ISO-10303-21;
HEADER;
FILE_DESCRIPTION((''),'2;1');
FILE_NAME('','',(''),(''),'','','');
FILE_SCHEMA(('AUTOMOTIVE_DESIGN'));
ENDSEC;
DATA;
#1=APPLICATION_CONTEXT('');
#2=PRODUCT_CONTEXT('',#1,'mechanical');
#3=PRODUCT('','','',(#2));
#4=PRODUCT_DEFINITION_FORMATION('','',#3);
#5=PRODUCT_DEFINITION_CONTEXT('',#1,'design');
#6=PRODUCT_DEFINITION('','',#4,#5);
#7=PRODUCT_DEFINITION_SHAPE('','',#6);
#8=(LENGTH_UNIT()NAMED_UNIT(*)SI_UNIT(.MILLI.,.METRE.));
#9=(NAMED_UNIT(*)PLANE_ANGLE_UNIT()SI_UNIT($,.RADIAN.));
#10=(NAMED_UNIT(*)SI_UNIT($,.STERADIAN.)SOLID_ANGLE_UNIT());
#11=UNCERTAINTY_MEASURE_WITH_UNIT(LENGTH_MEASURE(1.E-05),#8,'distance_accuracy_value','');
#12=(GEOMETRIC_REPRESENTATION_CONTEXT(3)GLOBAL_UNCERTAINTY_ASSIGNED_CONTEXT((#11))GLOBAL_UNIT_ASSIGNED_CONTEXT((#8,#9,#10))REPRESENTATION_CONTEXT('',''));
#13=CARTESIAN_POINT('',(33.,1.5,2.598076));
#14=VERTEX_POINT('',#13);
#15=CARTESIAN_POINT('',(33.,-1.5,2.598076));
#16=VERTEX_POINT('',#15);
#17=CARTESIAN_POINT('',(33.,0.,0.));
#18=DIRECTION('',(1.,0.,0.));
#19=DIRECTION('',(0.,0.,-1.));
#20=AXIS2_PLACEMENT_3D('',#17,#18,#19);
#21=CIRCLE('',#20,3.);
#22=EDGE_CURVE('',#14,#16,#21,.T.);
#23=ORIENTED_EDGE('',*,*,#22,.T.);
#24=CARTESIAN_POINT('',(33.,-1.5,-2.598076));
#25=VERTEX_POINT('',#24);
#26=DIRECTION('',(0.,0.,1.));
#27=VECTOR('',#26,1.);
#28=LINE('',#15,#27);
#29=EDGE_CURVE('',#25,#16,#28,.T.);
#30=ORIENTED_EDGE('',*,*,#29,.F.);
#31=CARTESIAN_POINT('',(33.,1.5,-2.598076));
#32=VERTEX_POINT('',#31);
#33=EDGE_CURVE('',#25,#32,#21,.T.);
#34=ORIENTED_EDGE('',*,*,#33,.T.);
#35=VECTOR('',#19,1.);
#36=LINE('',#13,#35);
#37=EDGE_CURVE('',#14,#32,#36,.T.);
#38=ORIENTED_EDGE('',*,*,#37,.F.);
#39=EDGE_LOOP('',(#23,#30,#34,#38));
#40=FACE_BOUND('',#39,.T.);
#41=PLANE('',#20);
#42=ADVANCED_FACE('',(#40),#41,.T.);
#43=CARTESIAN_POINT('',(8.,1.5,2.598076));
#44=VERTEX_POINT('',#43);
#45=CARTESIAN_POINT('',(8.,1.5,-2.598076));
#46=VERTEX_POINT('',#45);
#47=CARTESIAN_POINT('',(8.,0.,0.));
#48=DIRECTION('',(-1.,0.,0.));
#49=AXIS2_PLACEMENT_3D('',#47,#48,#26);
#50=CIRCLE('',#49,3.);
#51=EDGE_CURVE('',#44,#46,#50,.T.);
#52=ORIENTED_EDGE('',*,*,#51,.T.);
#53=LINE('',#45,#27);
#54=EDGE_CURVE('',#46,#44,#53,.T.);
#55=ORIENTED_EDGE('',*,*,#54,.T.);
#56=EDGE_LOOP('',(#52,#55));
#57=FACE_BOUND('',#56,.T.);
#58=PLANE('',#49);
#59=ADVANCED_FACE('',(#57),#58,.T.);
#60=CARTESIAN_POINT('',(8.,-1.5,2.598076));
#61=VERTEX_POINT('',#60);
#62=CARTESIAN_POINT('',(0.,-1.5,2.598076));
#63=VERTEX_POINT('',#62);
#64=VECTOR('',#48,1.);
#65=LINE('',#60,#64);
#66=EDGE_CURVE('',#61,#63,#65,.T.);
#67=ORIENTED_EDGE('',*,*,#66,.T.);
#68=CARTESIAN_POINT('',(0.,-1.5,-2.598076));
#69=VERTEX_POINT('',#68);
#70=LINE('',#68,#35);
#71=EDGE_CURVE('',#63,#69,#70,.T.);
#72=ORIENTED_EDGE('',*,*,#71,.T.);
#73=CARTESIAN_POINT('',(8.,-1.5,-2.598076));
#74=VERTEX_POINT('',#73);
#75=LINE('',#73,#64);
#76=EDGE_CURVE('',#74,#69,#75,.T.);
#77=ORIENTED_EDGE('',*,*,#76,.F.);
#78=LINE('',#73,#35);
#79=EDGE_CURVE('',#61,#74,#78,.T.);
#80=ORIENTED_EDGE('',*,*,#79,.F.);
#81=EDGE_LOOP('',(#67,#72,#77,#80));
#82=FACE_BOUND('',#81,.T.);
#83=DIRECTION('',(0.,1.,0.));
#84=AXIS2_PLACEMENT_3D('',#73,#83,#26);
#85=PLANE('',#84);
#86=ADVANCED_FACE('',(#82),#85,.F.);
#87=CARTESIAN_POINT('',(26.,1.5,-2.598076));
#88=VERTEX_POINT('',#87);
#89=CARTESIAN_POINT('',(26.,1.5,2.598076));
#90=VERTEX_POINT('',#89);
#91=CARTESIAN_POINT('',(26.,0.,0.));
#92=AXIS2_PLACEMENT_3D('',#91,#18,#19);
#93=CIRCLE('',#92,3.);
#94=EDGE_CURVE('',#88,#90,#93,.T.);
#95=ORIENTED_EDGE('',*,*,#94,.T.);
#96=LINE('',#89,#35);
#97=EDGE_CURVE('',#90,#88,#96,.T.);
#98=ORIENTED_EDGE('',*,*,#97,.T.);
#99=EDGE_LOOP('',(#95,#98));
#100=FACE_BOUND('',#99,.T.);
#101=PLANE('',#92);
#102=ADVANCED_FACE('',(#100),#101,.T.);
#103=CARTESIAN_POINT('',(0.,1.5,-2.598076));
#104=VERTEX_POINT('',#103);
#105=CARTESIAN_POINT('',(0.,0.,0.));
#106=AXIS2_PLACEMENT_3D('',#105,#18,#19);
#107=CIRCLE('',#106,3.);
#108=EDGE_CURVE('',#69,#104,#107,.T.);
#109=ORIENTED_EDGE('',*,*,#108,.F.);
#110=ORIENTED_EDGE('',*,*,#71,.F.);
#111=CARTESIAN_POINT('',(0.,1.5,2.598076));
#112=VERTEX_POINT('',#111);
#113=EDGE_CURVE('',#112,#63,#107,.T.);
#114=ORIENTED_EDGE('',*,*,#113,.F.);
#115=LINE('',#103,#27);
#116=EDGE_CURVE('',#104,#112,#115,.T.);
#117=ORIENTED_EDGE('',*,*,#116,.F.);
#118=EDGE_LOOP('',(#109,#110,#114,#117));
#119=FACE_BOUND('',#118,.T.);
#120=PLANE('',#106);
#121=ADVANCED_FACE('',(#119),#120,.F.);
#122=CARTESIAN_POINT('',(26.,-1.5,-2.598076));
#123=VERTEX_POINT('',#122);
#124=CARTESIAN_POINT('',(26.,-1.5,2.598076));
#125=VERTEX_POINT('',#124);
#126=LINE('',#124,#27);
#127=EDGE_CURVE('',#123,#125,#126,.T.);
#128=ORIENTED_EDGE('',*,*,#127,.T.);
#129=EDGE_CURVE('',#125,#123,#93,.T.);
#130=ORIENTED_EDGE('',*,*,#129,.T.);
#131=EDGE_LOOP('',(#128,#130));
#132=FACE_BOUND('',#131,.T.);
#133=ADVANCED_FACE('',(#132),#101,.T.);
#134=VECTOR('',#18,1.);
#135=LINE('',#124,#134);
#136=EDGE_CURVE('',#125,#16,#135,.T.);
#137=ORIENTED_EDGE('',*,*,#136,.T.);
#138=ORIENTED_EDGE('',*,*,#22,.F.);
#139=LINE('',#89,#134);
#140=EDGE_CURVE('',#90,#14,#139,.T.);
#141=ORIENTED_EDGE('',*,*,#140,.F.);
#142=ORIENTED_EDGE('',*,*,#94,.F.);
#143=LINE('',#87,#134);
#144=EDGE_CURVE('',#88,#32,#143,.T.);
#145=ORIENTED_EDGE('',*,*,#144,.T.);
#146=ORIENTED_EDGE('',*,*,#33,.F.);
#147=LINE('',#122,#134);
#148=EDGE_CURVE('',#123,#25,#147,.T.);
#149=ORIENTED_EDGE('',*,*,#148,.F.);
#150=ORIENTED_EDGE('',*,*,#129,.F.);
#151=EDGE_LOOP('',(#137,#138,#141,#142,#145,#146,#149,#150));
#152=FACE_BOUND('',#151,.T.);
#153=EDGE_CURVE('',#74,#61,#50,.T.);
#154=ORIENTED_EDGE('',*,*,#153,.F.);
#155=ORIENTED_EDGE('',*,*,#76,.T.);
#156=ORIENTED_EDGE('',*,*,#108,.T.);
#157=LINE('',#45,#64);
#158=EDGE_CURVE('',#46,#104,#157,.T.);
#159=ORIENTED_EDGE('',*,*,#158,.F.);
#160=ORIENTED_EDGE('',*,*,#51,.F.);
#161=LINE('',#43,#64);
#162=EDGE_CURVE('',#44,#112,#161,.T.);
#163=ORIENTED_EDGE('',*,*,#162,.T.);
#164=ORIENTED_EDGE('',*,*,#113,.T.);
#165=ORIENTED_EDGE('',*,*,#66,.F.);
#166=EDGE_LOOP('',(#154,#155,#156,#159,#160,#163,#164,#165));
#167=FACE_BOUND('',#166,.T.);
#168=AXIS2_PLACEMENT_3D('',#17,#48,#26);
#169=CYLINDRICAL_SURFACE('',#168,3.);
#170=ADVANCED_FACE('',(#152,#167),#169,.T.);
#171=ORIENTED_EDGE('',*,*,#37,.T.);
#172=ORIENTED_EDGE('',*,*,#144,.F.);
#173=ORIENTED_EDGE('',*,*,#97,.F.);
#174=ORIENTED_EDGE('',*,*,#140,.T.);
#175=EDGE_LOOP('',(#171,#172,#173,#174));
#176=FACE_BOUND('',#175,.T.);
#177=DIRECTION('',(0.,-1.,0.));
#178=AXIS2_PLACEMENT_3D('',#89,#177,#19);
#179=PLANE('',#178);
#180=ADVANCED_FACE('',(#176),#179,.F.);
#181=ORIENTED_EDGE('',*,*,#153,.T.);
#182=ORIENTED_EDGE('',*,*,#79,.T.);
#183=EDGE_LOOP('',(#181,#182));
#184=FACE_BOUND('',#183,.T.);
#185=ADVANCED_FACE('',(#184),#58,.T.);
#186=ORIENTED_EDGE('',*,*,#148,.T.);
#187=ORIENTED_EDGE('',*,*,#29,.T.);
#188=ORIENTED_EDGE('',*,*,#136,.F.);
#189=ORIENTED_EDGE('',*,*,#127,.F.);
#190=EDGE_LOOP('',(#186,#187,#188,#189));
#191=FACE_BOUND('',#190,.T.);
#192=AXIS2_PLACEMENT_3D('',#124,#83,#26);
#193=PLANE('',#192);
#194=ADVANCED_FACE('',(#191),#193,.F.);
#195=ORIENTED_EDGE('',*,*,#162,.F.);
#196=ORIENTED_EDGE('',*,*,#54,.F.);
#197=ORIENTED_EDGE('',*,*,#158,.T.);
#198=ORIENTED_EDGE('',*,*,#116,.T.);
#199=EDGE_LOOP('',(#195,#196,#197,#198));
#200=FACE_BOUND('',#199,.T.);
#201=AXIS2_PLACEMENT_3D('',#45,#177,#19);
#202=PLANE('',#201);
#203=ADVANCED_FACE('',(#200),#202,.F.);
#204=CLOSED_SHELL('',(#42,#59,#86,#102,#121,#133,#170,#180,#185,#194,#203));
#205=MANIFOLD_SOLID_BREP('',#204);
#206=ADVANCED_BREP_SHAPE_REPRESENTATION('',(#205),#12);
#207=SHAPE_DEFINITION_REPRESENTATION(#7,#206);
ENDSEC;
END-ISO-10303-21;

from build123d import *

# Parameters (mm, degrees)
SKETCH1_R           = 3
BOSS_EXTRUDE1_DEPTH = 33
CUT_EXTRUDE1_DEPTH  = 8
CUT_EXTRUDE2_START  = -7
CUT_EXTRUDE2_DEPTH  = 7


with BuildPart() as part:
    # Sketch1 → Boss-Extrude1 (new body)
    with BuildSketch(Plane(origin=(0, 0, 0), x_dir=(0, 0, -1), z_dir=(1, 0, 0))):
        Circle(SKETCH1_R)
    extrude(amount=BOSS_EXTRUDE1_DEPTH)

    # Sketch2 → Cut-Extrude1 (cut)
    with BuildSketch(Plane.ZY):
        with BuildLine():
            Line((-2.598076211, 1.5), (2.598076211, 1.5))
            ThreePointArc((2.598076211, 1.5), (0, 3), (-2.598076211, 1.5))
        make_face()
        with BuildLine():
            Line((-2.598076211, -1.5), (2.598076211, -1.5))
            ThreePointArc((2.598076211, -1.5), (0, -3), (-2.598076211, -1.5))
        make_face()
    extrude(amount=-CUT_EXTRUDE1_DEPTH, mode=Mode.SUBTRACT)

    # Sketch3 → Cut-Extrude2 (cut)
    with BuildSketch(Plane(origin=(33, 0, 0), x_dir=(0, 0, -1), z_dir=(1, 0, 0)).offset(CUT_EXTRUDE2_START)):
        with BuildLine():
            Line((-2.598076211, 1.5), (2.598076211, 1.5))
            ThreePointArc((2.598076211, 1.5), (0, 3), (-2.598076211, 1.5))
        make_face()
        with BuildLine():
            Line((-2.598076211, -1.5), (2.598076211, -1.5))
            ThreePointArc((2.598076211, -1.5), (0, -3), (-2.598076211, -1.5))
        make_face()
    extrude(amount=CUT_EXTRUDE2_DEPTH, mode=Mode.SUBTRACT)


solid = part.part
